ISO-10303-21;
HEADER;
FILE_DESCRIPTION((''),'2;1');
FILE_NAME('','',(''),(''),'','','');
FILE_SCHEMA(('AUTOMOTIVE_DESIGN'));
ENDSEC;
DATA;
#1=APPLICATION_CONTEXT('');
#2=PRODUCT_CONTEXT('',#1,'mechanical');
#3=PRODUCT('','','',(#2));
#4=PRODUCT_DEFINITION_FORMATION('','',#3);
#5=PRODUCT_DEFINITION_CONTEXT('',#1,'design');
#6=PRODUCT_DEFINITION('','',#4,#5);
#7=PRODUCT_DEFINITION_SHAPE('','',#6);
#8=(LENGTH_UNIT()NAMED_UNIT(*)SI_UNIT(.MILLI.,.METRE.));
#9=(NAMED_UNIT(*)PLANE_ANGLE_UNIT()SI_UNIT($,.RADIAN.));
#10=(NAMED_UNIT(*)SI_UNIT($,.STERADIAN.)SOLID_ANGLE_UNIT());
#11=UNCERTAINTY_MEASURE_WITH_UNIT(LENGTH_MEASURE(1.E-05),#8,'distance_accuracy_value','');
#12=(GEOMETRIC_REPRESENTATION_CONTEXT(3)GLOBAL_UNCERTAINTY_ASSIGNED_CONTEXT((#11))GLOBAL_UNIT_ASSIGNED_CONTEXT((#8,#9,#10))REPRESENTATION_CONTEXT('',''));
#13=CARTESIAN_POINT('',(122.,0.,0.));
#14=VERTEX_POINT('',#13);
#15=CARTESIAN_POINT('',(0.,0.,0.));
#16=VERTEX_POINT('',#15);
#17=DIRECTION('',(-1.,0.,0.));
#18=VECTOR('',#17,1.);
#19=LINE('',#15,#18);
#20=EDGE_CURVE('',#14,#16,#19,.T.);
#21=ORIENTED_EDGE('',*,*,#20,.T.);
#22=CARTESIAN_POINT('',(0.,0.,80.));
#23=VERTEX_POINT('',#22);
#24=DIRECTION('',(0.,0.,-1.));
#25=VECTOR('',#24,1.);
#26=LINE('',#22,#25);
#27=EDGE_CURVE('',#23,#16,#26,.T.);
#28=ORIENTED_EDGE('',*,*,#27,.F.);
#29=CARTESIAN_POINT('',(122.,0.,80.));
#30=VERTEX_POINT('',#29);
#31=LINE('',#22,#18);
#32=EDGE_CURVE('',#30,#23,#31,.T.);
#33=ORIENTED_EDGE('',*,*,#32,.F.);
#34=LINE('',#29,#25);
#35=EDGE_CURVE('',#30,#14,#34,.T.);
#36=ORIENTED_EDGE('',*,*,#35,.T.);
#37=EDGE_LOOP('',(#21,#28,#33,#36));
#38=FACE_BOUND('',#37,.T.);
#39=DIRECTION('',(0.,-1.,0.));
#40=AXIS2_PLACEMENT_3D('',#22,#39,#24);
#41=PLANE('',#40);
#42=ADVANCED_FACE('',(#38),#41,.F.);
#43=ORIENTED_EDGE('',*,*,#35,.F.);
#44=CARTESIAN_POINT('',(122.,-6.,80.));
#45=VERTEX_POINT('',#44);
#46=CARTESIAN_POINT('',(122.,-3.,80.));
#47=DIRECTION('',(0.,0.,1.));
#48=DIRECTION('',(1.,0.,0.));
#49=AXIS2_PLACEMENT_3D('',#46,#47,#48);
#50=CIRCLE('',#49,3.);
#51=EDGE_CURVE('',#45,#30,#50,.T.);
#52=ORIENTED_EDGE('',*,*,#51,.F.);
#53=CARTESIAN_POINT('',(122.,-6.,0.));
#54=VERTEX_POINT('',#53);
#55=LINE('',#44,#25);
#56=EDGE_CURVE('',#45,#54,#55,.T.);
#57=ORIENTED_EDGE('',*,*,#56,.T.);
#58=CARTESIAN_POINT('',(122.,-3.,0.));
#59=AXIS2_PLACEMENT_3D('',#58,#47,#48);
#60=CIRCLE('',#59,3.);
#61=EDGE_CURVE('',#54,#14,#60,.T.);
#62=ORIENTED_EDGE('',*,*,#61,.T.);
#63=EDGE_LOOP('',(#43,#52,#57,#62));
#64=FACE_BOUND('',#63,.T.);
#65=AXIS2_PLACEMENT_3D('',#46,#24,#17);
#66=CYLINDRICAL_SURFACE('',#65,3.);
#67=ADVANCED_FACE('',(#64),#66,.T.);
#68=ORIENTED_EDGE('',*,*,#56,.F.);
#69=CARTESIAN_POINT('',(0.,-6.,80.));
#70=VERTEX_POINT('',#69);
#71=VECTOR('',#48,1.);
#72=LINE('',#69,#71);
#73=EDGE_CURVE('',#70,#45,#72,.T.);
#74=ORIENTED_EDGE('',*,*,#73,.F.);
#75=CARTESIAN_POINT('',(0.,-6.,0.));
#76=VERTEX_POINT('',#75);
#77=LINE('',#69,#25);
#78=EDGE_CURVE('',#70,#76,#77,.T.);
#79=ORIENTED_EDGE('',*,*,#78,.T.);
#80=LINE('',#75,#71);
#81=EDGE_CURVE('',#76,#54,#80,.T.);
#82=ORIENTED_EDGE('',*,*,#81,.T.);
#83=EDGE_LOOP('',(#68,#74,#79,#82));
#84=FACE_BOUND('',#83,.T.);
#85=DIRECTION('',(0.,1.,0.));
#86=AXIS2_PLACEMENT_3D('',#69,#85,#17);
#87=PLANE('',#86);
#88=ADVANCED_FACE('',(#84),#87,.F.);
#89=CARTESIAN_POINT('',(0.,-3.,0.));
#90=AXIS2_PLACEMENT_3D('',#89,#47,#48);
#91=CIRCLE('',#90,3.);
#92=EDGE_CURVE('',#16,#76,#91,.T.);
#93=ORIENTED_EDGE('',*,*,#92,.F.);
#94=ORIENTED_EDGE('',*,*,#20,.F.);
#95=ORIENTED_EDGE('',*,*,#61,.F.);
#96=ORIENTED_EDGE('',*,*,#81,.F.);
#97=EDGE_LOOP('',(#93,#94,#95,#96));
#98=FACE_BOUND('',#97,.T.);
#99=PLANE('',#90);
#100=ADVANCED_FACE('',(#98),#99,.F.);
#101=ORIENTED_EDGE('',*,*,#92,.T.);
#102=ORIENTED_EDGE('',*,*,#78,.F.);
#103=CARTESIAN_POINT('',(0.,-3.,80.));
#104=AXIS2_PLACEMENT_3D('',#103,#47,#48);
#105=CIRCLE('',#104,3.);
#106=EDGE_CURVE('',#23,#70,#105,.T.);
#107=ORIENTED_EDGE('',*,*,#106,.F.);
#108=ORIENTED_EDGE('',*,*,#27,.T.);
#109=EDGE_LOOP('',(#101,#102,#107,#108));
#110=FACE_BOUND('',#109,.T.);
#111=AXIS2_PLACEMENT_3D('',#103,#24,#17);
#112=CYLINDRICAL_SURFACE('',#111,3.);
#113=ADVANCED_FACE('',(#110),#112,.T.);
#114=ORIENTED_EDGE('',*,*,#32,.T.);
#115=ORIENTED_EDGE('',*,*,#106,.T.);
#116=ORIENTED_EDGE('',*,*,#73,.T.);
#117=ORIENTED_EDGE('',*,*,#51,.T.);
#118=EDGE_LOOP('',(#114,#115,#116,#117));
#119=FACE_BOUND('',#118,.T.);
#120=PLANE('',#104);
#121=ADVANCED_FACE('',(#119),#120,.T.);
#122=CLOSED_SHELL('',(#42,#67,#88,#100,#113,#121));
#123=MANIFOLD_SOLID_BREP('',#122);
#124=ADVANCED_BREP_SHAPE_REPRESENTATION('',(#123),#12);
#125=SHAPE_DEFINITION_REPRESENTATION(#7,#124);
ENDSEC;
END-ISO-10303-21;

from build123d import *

# Parameters (mm, degrees)
BOSS_EXTRUDE1_DEPTH = 80


with BuildPart() as part:
    # Sketch1 → Boss-Extrude1 (new body)
    with BuildSketch(Plane.XY):
        with BuildLine():
            Line((0, 0), (122, 0))
            ThreePointArc((122, 0), (125, -3), (122, -6))
            Line((122, -6), (0, -6))
            ThreePointArc((0, -6), (-3, -3), (0, 0))
        make_face()
    extrude(amount=BOSS_EXTRUDE1_DEPTH)


solid = part.part
